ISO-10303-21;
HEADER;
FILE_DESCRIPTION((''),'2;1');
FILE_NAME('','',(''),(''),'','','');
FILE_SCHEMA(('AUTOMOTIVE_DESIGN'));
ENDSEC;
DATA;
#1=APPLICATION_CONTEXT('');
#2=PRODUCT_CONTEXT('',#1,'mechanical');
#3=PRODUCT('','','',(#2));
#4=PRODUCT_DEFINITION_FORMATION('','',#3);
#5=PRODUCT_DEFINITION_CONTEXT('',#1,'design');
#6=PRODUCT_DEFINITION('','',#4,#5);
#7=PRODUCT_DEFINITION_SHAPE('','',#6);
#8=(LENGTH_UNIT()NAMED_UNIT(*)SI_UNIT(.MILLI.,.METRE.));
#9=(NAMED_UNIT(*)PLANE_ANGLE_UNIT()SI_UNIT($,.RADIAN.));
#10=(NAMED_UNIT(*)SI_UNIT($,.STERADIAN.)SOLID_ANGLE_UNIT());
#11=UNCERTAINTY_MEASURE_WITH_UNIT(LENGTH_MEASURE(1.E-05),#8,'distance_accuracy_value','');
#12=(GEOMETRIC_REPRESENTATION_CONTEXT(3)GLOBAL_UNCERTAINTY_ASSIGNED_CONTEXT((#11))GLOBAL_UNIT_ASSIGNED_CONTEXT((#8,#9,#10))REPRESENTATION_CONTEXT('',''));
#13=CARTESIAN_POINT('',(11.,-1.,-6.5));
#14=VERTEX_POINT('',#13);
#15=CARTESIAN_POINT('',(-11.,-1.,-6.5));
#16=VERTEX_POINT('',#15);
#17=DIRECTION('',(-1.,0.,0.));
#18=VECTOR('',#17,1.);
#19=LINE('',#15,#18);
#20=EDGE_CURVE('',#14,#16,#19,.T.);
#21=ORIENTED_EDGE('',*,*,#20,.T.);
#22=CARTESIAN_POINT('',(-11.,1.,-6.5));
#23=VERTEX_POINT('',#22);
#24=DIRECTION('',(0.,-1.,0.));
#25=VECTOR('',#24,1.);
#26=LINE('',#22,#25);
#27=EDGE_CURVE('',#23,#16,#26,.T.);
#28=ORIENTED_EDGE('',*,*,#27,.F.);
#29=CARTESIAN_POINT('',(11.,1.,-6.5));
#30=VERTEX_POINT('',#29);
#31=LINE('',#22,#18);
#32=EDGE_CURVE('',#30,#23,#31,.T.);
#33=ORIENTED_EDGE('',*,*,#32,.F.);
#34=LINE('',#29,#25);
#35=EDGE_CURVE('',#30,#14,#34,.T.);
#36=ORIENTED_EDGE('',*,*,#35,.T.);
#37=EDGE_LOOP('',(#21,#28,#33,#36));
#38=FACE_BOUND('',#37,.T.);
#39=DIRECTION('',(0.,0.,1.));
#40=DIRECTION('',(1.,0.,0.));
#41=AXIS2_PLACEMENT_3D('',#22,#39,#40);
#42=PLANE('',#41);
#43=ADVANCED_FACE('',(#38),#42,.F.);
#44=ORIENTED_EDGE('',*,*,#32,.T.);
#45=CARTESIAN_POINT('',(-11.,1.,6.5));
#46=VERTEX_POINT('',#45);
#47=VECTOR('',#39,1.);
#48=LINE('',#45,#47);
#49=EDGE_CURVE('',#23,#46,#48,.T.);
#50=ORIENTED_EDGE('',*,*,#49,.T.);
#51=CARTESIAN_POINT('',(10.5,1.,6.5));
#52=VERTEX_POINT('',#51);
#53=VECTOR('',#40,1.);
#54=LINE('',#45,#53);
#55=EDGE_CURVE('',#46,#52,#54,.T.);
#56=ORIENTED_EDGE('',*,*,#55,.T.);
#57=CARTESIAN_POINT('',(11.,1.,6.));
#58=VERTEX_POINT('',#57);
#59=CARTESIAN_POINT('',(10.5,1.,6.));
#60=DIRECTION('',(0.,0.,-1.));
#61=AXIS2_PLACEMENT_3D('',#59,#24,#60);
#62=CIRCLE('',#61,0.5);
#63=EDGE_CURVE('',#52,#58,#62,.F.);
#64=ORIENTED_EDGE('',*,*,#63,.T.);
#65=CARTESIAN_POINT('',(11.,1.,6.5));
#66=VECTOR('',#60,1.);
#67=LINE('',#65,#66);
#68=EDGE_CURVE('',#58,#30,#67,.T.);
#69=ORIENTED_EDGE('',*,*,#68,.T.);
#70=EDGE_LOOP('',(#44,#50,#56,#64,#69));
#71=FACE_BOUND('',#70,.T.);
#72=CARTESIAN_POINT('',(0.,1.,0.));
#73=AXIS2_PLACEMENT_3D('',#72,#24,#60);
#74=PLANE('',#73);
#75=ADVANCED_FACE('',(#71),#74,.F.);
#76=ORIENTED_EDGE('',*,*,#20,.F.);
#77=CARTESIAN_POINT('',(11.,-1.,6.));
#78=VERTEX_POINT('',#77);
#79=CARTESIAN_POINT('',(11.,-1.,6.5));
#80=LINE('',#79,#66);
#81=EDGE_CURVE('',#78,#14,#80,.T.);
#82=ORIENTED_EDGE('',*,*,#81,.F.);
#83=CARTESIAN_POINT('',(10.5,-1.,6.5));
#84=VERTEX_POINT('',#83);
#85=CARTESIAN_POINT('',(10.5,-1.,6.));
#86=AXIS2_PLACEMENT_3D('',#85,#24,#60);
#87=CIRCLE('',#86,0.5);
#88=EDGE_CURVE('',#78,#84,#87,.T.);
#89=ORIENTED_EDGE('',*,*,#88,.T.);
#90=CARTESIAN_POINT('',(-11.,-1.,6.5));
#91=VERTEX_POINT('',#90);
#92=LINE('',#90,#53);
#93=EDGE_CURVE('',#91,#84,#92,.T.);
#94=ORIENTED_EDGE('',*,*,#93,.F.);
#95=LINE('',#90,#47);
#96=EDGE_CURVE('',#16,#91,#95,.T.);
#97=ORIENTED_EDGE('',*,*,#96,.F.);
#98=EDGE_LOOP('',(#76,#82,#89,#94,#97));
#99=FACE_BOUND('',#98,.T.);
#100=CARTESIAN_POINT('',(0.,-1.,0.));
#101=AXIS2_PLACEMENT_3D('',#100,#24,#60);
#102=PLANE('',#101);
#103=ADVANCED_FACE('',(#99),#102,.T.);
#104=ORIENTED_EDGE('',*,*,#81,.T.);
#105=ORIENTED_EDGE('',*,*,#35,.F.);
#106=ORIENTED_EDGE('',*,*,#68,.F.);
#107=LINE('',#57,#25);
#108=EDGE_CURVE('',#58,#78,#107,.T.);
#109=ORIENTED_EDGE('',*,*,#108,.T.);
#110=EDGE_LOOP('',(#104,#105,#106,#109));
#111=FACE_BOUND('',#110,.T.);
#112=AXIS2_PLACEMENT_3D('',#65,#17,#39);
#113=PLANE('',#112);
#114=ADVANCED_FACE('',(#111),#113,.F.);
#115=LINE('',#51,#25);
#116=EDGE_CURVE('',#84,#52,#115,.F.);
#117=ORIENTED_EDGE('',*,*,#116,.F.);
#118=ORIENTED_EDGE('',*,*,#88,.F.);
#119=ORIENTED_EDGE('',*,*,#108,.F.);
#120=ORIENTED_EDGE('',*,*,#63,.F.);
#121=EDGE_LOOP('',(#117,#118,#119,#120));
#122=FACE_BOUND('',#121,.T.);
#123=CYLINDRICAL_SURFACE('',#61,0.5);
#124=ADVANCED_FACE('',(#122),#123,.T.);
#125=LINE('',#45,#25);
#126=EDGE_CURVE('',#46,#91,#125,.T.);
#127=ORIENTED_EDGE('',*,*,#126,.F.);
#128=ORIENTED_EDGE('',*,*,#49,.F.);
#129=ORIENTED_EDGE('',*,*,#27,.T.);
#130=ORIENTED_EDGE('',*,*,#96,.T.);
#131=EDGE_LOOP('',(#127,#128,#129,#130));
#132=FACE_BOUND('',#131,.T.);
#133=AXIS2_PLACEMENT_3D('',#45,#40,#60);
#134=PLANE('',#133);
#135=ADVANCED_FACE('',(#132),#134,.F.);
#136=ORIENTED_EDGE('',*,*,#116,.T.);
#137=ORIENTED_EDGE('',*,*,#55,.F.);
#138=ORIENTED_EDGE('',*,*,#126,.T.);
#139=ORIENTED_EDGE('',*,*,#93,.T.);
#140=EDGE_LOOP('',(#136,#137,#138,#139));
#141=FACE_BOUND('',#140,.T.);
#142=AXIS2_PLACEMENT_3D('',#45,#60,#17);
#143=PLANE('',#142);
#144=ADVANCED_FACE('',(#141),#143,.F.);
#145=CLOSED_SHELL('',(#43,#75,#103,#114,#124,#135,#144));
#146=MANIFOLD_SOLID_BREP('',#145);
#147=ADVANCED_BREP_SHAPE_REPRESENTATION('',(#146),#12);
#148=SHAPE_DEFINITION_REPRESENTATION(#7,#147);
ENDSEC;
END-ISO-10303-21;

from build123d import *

# Parameters (mm, degrees)
SKETCH1_W           = 22
SKETCH1_H           = 13
BOSS_EXTRUDE1_DEPTH = 1
FILLET1_R           = 0.5


with BuildPart() as part:
    # Sketch1 → Boss-Extrude1 (new, symmetric)
    with BuildSketch(Plane(origin=(0, 0, 0), x_dir=(1, 0, 0), z_dir=(0, 1, 0))):
        Rectangle(SKETCH1_W, SKETCH1_H)
    extrude(amount=BOSS_EXTRUDE1_DEPTH, both=True)

    # Fillet1
    fillet1_edges = [part.edges().sort_by_distance(p)[0] for p in [
        (11, 0, 6.5),
    ]]
    fillet(fillet1_edges, radius=FILLET1_R)


solid = part.part
